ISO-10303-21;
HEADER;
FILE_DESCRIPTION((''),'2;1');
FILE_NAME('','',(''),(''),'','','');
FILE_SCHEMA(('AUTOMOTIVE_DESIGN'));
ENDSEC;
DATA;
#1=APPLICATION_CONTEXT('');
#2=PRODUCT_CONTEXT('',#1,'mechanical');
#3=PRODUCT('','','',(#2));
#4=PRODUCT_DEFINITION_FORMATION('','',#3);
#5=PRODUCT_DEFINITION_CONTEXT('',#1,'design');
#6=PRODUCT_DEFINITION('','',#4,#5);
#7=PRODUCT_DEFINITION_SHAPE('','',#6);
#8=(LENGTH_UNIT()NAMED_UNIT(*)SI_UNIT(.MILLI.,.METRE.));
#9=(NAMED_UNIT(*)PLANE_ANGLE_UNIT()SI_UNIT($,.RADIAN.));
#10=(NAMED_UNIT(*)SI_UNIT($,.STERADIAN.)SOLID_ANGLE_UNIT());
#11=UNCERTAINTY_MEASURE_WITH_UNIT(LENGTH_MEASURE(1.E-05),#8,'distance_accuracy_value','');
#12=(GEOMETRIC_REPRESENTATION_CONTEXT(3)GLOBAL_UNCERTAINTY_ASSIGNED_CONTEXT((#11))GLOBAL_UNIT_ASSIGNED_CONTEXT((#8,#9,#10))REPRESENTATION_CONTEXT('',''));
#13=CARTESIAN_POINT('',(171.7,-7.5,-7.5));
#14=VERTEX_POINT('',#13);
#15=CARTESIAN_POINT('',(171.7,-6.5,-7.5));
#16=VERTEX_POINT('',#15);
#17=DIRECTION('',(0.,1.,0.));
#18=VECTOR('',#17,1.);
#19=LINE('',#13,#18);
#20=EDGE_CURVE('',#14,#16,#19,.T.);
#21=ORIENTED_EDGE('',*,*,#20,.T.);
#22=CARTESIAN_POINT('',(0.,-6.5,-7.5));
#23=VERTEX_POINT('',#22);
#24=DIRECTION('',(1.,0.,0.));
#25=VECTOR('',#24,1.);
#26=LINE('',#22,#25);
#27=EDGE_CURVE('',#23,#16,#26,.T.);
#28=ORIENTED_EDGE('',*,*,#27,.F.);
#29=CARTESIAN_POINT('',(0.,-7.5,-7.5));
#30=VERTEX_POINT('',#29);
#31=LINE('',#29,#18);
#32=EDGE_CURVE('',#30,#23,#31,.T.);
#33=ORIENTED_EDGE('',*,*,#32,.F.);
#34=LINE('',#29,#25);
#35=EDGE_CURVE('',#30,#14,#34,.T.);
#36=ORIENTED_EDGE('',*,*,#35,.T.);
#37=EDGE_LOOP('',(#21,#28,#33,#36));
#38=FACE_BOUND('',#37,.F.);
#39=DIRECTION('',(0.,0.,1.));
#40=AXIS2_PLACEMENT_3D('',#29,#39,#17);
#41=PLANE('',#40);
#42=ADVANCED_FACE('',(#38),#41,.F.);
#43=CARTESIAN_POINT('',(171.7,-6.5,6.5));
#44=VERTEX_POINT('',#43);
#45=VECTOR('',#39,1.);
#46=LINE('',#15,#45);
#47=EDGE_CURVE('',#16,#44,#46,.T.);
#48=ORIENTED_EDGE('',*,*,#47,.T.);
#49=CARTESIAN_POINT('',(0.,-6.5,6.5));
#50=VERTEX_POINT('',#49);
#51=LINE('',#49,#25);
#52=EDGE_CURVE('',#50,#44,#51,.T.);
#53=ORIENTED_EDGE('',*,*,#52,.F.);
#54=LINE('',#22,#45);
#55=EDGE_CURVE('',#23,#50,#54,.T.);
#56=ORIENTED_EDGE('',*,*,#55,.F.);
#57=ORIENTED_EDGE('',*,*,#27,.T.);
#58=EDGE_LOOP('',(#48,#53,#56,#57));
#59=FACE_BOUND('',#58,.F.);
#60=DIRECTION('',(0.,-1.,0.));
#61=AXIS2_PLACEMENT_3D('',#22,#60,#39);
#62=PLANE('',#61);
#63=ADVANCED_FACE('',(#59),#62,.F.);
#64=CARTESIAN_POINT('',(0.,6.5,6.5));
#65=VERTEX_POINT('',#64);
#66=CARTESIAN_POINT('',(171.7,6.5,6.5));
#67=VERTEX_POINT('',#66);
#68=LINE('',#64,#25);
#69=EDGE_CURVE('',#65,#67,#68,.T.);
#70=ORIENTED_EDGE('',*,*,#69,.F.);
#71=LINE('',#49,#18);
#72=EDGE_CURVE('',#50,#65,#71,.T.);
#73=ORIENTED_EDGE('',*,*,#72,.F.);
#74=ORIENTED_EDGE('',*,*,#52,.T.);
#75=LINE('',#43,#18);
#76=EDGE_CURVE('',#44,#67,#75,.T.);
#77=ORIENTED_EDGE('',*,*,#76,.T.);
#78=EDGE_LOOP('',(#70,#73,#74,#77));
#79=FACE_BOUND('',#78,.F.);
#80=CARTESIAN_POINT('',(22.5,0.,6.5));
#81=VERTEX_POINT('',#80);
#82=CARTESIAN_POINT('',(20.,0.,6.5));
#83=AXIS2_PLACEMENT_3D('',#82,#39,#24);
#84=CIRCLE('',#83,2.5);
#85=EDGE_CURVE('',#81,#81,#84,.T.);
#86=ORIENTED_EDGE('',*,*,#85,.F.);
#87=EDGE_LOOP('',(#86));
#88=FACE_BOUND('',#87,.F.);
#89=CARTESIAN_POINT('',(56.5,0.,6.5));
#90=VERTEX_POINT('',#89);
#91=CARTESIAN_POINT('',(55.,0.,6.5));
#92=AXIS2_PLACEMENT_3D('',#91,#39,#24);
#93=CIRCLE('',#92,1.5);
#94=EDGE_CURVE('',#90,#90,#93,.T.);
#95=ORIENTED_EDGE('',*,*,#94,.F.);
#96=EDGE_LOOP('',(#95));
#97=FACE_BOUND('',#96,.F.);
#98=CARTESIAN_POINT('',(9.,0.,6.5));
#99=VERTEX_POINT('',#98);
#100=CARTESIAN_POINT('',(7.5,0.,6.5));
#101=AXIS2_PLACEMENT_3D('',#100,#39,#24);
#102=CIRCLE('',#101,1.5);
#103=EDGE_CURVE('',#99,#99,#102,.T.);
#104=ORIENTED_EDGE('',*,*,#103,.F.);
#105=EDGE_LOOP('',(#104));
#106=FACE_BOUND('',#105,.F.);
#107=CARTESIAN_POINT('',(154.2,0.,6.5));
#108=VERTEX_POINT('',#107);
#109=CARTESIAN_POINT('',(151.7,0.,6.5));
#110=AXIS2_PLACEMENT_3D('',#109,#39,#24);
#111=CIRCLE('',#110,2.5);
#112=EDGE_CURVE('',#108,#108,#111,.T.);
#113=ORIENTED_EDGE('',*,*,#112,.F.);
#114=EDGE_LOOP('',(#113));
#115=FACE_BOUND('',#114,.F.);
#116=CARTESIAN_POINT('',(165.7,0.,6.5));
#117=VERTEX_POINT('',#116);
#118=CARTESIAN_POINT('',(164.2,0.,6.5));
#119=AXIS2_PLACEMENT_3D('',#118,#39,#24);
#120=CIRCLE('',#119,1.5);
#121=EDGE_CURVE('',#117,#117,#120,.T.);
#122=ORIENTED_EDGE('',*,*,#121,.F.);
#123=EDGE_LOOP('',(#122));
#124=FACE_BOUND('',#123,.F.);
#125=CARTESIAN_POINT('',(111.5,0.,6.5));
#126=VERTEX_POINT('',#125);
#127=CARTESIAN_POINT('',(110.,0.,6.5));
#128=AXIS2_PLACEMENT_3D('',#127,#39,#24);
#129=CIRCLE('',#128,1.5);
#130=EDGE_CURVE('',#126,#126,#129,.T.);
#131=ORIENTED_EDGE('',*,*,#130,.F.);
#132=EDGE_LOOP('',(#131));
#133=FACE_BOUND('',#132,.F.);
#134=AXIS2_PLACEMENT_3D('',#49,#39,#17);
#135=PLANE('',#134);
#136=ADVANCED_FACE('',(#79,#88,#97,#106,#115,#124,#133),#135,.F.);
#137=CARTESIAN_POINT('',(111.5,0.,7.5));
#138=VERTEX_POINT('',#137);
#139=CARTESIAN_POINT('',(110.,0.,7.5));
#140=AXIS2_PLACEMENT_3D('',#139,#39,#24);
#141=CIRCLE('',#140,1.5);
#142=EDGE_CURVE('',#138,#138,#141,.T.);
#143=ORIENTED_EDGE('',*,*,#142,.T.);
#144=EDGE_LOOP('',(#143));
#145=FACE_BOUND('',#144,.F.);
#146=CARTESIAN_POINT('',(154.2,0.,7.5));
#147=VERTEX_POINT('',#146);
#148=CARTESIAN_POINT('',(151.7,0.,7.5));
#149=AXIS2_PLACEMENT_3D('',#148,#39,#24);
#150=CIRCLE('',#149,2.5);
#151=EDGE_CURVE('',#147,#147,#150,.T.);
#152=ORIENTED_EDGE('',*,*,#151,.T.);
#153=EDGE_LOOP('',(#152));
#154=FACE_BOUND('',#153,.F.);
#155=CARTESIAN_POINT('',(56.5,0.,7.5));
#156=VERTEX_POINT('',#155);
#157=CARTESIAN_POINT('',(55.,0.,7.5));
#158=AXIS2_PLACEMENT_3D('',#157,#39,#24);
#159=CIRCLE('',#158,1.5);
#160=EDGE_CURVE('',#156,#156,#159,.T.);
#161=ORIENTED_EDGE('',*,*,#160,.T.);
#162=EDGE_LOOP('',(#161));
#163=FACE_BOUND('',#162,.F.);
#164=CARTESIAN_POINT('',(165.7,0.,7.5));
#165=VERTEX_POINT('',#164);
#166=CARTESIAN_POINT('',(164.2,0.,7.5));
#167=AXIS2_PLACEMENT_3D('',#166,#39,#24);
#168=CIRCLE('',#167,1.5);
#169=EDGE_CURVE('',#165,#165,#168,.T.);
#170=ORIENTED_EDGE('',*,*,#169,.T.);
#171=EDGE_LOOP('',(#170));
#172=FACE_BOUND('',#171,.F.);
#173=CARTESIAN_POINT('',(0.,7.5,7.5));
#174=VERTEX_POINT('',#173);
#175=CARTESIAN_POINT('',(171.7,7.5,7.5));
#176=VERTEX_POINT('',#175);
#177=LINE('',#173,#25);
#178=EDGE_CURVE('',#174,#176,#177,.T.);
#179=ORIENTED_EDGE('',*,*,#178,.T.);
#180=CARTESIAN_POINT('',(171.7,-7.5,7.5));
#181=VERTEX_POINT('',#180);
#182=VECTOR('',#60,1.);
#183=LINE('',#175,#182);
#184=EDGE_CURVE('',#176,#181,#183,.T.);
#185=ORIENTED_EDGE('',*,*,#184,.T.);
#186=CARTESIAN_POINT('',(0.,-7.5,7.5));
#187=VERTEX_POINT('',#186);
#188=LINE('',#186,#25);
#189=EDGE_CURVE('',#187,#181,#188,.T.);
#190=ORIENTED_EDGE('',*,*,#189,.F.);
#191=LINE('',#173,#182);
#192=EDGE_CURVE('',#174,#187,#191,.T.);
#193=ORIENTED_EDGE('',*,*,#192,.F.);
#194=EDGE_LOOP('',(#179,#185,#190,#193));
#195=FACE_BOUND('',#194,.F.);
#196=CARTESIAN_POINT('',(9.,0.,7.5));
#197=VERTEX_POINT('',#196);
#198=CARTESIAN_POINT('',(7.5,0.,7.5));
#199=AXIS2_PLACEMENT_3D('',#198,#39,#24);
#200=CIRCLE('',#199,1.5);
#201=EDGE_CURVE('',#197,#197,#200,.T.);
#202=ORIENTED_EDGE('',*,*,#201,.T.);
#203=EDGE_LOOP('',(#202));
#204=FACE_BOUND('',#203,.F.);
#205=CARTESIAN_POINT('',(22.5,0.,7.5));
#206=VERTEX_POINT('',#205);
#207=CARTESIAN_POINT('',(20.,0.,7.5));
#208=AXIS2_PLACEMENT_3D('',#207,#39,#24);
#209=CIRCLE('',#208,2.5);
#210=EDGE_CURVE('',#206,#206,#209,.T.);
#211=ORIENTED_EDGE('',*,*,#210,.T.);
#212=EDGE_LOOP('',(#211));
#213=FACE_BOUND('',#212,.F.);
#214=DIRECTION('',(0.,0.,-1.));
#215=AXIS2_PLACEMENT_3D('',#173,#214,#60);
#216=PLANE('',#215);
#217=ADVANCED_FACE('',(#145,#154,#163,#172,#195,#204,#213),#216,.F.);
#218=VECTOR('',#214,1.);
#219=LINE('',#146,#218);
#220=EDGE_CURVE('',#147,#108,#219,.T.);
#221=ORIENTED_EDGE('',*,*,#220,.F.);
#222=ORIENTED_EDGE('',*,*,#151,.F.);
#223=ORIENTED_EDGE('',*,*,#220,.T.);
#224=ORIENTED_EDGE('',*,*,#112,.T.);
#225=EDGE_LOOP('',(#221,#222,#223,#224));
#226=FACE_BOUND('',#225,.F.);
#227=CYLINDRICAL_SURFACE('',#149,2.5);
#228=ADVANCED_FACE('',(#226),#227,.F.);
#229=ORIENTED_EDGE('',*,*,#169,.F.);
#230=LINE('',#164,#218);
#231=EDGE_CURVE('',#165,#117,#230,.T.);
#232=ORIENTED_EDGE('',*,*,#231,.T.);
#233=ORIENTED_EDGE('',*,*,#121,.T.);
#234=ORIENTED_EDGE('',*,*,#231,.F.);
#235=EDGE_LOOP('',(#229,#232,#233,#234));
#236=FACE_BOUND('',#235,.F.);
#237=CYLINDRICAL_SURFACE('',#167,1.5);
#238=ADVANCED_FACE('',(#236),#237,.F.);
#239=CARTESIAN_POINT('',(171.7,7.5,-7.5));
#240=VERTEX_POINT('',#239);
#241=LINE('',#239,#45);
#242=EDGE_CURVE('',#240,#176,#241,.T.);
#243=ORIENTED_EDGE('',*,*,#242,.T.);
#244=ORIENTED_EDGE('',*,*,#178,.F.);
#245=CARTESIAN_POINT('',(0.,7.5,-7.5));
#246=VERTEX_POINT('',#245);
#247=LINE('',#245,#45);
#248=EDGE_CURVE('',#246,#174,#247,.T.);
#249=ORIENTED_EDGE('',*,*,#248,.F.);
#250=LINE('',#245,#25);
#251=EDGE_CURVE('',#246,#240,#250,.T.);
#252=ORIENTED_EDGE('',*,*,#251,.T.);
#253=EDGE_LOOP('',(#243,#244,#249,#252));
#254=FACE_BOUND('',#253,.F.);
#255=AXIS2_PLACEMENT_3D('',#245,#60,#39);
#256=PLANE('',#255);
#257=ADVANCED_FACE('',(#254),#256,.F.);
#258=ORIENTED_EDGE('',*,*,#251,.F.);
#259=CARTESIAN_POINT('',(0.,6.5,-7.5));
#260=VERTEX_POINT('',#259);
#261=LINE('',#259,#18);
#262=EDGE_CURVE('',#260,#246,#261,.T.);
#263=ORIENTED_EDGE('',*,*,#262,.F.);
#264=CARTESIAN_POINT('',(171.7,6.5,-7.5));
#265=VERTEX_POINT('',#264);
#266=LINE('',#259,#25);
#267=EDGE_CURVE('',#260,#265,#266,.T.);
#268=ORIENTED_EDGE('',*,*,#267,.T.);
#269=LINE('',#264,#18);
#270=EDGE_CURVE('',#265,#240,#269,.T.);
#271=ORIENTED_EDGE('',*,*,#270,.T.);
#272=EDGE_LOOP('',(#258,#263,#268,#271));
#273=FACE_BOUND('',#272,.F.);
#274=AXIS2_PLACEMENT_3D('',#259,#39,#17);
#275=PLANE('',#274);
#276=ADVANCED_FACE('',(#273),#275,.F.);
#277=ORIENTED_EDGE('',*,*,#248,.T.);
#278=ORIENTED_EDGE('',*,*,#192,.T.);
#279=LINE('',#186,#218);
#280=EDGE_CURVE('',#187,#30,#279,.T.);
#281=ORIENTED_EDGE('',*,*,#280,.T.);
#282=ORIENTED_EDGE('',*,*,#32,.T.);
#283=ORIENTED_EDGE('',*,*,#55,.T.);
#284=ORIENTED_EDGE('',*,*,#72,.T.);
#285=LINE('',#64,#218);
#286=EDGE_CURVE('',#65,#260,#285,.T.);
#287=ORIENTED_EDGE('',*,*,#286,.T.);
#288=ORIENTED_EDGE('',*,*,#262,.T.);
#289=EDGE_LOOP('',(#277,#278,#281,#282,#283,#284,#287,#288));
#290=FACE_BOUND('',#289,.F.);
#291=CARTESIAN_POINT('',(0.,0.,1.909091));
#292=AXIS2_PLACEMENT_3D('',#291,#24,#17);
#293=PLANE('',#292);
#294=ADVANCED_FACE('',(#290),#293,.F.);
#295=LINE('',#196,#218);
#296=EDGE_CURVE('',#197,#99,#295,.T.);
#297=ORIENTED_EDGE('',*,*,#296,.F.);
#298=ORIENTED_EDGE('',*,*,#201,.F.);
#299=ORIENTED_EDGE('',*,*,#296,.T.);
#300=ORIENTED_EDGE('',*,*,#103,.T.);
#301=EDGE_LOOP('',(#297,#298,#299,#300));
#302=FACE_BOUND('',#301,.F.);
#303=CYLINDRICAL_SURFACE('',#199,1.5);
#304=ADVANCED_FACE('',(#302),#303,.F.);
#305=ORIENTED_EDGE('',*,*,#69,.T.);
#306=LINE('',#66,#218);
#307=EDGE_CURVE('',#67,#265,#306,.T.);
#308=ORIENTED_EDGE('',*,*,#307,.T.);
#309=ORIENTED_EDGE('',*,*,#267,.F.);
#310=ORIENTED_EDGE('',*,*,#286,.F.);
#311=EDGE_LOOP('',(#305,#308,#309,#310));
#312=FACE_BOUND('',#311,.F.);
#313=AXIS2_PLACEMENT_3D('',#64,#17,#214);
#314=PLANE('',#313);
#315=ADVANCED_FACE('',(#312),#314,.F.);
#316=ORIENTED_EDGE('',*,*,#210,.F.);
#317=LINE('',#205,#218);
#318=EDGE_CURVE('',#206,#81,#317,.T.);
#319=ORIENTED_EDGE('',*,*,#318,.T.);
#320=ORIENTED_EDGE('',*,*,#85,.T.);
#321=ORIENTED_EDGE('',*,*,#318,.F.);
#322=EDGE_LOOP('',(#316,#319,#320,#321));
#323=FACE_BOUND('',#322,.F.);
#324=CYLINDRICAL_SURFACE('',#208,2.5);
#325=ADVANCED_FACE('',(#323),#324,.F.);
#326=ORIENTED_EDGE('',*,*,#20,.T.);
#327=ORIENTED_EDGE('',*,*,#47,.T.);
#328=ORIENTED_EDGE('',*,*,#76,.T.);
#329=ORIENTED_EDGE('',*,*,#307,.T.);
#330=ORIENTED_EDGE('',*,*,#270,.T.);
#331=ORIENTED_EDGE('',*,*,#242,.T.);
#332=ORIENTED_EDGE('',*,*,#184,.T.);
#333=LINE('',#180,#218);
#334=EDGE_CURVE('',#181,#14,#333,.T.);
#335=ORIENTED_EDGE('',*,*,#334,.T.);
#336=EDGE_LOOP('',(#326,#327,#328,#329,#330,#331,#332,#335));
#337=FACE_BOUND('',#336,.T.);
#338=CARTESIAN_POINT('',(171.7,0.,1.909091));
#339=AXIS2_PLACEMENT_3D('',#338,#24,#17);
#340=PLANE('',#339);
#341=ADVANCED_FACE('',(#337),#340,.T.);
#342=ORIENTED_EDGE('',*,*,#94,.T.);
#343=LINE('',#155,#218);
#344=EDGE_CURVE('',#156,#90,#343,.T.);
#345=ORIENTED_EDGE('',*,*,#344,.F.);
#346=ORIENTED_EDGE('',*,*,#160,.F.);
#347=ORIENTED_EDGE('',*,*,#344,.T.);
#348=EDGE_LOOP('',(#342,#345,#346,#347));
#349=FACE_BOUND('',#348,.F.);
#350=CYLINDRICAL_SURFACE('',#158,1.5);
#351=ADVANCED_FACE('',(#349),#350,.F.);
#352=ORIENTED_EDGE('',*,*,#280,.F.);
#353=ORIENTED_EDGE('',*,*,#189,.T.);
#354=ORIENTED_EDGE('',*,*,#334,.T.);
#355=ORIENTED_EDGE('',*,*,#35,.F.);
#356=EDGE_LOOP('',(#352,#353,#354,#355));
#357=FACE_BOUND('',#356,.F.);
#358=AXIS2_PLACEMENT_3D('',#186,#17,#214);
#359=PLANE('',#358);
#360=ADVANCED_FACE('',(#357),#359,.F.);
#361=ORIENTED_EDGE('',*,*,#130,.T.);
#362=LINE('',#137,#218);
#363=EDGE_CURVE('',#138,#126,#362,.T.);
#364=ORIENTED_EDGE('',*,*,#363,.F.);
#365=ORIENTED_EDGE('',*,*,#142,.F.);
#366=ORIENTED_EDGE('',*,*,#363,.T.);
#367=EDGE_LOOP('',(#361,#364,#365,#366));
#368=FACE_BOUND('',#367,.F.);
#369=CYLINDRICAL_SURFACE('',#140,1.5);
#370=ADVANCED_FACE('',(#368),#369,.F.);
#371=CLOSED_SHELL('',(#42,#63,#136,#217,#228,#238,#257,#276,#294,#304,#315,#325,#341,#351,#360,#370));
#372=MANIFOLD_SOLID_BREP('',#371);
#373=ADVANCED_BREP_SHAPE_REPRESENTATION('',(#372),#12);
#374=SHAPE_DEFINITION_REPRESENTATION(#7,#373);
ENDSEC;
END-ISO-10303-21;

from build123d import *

# Parameters (mm, degrees)
F1_DEPTH = 171.7
F2_R     = 1.5
F2_R_2   = 2.5
F3_DEPTH = 1


with BuildPart() as f1:
    # F0 (on Right) → F1 (new body)
    with BuildSketch(Plane.YZ):
        Polygon((7.5, -7.5), (7.5, 7.5), (-7.5, 7.5), (-7.5, -7.5), (-6.5, -7.5), (-6.5, 6.5), (6.5, 6.5), (6.5, -7.5), align=None)
    extrude(amount=F1_DEPTH)

    # F2 (on face) → F3 (cut, through all)
    with BuildSketch(Plane.XY.offset(7.5)):
        with Locations((7.5, 0)):
            Circle(F2_R)
        with Locations((55, 0)):
            Circle(F2_R)
        with Locations((110, 0)):
            Circle(F2_R)
        with Locations((164.2, 0)):
            Circle(F2_R)
        with Locations((20, 0)):
            Circle(F2_R_2)
        with Locations((151.7, 0)):
            Circle(F2_R_2)
    extrude(amount=-F3_DEPTH, mode=Mode.SUBTRACT)


solid = f1.part
